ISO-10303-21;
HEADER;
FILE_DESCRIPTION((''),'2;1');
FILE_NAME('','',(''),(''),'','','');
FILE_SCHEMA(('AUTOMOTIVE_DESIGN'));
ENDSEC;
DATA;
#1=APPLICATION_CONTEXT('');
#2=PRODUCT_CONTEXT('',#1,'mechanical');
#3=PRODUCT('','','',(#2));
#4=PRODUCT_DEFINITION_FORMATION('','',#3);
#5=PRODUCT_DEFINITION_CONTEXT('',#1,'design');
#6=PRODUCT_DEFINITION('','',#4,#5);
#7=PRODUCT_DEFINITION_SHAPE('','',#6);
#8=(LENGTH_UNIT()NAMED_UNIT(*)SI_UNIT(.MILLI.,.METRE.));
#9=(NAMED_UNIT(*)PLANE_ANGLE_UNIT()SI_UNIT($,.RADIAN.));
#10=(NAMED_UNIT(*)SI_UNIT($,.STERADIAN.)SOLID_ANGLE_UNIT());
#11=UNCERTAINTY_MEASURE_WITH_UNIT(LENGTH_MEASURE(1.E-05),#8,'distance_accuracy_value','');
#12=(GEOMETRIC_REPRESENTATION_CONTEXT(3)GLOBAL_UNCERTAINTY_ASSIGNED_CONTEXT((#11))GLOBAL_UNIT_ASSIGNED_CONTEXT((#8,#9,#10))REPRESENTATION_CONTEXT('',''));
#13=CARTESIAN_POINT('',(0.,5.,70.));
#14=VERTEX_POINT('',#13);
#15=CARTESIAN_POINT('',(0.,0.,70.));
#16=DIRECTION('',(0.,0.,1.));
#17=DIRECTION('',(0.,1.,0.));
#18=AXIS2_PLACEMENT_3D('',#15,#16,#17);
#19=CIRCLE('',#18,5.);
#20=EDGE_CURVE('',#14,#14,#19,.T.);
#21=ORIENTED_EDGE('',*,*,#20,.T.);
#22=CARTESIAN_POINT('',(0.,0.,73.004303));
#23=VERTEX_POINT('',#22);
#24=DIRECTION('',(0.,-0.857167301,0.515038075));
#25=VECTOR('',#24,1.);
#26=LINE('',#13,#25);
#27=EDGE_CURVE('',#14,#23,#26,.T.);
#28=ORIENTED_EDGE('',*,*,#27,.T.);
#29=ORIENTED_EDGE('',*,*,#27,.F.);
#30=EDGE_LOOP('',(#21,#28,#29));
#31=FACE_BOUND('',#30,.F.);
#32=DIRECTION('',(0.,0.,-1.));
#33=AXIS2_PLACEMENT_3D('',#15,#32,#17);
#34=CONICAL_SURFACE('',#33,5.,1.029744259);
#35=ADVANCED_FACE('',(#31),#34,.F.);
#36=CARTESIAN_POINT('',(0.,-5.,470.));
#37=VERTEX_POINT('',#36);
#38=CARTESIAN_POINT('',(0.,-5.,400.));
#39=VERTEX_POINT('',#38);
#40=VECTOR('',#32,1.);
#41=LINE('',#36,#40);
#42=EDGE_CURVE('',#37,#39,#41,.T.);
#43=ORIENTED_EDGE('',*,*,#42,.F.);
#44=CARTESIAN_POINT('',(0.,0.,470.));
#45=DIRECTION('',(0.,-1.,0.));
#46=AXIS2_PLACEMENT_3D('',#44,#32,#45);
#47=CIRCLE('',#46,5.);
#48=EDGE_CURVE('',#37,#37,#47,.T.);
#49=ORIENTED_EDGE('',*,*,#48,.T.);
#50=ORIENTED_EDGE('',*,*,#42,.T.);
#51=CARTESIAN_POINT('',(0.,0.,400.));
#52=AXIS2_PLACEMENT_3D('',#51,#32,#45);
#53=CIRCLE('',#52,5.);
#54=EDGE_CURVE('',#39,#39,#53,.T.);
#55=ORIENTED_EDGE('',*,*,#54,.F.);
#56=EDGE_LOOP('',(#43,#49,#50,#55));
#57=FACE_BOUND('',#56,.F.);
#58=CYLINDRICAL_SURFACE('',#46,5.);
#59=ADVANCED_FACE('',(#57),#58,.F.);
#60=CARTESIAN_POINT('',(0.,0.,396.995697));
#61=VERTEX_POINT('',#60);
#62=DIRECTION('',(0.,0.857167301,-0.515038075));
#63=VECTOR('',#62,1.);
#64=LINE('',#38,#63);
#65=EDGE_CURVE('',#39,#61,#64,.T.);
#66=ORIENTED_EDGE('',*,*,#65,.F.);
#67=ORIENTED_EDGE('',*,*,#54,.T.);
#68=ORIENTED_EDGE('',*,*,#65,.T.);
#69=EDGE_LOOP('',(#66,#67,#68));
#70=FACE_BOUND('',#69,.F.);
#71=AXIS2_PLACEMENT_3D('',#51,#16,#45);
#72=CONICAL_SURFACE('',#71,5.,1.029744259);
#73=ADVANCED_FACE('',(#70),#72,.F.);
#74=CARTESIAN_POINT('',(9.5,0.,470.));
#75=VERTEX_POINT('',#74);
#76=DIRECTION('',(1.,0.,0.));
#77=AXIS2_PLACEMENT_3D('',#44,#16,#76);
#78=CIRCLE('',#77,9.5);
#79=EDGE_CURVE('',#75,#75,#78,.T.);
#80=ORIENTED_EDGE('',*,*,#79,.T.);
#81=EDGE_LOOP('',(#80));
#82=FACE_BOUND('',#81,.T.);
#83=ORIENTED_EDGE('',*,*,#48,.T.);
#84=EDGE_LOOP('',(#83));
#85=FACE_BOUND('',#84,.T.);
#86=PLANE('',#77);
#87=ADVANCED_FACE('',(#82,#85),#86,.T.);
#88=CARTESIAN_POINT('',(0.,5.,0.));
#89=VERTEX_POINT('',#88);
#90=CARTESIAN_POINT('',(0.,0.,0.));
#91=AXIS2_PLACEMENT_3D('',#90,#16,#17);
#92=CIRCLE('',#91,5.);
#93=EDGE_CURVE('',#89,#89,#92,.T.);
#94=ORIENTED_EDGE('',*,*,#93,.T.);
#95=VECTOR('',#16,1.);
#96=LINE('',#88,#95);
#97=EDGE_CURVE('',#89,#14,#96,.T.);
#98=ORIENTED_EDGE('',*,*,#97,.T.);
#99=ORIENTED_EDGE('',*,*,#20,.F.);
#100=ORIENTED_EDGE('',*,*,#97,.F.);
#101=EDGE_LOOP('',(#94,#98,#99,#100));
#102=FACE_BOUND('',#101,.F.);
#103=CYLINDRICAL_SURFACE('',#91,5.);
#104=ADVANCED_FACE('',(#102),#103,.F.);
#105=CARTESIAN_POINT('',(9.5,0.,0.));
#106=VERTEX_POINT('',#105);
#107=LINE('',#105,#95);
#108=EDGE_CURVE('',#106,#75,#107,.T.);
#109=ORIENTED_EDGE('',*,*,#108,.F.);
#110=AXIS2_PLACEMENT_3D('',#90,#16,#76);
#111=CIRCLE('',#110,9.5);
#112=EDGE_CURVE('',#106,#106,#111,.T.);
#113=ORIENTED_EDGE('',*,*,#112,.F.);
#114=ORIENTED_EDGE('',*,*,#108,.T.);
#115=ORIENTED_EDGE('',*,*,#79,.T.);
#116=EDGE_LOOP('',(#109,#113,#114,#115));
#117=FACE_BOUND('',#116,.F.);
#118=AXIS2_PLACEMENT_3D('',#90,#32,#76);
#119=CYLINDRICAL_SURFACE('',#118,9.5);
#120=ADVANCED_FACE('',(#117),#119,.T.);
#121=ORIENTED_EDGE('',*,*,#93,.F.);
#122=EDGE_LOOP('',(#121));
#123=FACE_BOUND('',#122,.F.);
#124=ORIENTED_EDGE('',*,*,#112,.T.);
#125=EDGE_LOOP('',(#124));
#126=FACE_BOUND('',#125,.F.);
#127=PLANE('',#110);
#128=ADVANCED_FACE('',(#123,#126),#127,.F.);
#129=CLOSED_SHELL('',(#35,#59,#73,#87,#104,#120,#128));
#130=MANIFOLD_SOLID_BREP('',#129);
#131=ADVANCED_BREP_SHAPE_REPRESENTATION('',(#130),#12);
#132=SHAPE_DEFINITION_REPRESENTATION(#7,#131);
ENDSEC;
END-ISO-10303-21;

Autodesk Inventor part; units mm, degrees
ref_plane "YZ Plane" through (0, 0, 0) normal (1, 0, 0) x (0, 1, 0)
ref_plane "XZ Plane" through (0, 0, 0) normal (0, 1, 0) x (-1, 0, 0)
ref_plane "XY Plane" through (0, 0, 0) normal (0, 0, 1) x (1, 0, 0)
sketch "Sketch1" plane through (0, 0, 0) normal (0, 0, 1) x (1, 0, 0)
  circle A0 centre (0, 0) radius 9.5
  dimension "d0" = 19
extrude "Extrusion1" add sketch "Sketch1" along normal blind 470
hole "Hole1" at (0, 0, 470) direction (0, 0, -1) diameter 10 depth 70 tip angle 118
hole "Hole2" at (0, 0, 0) direction (0, 0, 1) diameter 10 depth 70 tip angle 118
properties part number "Barra-garfo" material "Aluminium AW-7020"
